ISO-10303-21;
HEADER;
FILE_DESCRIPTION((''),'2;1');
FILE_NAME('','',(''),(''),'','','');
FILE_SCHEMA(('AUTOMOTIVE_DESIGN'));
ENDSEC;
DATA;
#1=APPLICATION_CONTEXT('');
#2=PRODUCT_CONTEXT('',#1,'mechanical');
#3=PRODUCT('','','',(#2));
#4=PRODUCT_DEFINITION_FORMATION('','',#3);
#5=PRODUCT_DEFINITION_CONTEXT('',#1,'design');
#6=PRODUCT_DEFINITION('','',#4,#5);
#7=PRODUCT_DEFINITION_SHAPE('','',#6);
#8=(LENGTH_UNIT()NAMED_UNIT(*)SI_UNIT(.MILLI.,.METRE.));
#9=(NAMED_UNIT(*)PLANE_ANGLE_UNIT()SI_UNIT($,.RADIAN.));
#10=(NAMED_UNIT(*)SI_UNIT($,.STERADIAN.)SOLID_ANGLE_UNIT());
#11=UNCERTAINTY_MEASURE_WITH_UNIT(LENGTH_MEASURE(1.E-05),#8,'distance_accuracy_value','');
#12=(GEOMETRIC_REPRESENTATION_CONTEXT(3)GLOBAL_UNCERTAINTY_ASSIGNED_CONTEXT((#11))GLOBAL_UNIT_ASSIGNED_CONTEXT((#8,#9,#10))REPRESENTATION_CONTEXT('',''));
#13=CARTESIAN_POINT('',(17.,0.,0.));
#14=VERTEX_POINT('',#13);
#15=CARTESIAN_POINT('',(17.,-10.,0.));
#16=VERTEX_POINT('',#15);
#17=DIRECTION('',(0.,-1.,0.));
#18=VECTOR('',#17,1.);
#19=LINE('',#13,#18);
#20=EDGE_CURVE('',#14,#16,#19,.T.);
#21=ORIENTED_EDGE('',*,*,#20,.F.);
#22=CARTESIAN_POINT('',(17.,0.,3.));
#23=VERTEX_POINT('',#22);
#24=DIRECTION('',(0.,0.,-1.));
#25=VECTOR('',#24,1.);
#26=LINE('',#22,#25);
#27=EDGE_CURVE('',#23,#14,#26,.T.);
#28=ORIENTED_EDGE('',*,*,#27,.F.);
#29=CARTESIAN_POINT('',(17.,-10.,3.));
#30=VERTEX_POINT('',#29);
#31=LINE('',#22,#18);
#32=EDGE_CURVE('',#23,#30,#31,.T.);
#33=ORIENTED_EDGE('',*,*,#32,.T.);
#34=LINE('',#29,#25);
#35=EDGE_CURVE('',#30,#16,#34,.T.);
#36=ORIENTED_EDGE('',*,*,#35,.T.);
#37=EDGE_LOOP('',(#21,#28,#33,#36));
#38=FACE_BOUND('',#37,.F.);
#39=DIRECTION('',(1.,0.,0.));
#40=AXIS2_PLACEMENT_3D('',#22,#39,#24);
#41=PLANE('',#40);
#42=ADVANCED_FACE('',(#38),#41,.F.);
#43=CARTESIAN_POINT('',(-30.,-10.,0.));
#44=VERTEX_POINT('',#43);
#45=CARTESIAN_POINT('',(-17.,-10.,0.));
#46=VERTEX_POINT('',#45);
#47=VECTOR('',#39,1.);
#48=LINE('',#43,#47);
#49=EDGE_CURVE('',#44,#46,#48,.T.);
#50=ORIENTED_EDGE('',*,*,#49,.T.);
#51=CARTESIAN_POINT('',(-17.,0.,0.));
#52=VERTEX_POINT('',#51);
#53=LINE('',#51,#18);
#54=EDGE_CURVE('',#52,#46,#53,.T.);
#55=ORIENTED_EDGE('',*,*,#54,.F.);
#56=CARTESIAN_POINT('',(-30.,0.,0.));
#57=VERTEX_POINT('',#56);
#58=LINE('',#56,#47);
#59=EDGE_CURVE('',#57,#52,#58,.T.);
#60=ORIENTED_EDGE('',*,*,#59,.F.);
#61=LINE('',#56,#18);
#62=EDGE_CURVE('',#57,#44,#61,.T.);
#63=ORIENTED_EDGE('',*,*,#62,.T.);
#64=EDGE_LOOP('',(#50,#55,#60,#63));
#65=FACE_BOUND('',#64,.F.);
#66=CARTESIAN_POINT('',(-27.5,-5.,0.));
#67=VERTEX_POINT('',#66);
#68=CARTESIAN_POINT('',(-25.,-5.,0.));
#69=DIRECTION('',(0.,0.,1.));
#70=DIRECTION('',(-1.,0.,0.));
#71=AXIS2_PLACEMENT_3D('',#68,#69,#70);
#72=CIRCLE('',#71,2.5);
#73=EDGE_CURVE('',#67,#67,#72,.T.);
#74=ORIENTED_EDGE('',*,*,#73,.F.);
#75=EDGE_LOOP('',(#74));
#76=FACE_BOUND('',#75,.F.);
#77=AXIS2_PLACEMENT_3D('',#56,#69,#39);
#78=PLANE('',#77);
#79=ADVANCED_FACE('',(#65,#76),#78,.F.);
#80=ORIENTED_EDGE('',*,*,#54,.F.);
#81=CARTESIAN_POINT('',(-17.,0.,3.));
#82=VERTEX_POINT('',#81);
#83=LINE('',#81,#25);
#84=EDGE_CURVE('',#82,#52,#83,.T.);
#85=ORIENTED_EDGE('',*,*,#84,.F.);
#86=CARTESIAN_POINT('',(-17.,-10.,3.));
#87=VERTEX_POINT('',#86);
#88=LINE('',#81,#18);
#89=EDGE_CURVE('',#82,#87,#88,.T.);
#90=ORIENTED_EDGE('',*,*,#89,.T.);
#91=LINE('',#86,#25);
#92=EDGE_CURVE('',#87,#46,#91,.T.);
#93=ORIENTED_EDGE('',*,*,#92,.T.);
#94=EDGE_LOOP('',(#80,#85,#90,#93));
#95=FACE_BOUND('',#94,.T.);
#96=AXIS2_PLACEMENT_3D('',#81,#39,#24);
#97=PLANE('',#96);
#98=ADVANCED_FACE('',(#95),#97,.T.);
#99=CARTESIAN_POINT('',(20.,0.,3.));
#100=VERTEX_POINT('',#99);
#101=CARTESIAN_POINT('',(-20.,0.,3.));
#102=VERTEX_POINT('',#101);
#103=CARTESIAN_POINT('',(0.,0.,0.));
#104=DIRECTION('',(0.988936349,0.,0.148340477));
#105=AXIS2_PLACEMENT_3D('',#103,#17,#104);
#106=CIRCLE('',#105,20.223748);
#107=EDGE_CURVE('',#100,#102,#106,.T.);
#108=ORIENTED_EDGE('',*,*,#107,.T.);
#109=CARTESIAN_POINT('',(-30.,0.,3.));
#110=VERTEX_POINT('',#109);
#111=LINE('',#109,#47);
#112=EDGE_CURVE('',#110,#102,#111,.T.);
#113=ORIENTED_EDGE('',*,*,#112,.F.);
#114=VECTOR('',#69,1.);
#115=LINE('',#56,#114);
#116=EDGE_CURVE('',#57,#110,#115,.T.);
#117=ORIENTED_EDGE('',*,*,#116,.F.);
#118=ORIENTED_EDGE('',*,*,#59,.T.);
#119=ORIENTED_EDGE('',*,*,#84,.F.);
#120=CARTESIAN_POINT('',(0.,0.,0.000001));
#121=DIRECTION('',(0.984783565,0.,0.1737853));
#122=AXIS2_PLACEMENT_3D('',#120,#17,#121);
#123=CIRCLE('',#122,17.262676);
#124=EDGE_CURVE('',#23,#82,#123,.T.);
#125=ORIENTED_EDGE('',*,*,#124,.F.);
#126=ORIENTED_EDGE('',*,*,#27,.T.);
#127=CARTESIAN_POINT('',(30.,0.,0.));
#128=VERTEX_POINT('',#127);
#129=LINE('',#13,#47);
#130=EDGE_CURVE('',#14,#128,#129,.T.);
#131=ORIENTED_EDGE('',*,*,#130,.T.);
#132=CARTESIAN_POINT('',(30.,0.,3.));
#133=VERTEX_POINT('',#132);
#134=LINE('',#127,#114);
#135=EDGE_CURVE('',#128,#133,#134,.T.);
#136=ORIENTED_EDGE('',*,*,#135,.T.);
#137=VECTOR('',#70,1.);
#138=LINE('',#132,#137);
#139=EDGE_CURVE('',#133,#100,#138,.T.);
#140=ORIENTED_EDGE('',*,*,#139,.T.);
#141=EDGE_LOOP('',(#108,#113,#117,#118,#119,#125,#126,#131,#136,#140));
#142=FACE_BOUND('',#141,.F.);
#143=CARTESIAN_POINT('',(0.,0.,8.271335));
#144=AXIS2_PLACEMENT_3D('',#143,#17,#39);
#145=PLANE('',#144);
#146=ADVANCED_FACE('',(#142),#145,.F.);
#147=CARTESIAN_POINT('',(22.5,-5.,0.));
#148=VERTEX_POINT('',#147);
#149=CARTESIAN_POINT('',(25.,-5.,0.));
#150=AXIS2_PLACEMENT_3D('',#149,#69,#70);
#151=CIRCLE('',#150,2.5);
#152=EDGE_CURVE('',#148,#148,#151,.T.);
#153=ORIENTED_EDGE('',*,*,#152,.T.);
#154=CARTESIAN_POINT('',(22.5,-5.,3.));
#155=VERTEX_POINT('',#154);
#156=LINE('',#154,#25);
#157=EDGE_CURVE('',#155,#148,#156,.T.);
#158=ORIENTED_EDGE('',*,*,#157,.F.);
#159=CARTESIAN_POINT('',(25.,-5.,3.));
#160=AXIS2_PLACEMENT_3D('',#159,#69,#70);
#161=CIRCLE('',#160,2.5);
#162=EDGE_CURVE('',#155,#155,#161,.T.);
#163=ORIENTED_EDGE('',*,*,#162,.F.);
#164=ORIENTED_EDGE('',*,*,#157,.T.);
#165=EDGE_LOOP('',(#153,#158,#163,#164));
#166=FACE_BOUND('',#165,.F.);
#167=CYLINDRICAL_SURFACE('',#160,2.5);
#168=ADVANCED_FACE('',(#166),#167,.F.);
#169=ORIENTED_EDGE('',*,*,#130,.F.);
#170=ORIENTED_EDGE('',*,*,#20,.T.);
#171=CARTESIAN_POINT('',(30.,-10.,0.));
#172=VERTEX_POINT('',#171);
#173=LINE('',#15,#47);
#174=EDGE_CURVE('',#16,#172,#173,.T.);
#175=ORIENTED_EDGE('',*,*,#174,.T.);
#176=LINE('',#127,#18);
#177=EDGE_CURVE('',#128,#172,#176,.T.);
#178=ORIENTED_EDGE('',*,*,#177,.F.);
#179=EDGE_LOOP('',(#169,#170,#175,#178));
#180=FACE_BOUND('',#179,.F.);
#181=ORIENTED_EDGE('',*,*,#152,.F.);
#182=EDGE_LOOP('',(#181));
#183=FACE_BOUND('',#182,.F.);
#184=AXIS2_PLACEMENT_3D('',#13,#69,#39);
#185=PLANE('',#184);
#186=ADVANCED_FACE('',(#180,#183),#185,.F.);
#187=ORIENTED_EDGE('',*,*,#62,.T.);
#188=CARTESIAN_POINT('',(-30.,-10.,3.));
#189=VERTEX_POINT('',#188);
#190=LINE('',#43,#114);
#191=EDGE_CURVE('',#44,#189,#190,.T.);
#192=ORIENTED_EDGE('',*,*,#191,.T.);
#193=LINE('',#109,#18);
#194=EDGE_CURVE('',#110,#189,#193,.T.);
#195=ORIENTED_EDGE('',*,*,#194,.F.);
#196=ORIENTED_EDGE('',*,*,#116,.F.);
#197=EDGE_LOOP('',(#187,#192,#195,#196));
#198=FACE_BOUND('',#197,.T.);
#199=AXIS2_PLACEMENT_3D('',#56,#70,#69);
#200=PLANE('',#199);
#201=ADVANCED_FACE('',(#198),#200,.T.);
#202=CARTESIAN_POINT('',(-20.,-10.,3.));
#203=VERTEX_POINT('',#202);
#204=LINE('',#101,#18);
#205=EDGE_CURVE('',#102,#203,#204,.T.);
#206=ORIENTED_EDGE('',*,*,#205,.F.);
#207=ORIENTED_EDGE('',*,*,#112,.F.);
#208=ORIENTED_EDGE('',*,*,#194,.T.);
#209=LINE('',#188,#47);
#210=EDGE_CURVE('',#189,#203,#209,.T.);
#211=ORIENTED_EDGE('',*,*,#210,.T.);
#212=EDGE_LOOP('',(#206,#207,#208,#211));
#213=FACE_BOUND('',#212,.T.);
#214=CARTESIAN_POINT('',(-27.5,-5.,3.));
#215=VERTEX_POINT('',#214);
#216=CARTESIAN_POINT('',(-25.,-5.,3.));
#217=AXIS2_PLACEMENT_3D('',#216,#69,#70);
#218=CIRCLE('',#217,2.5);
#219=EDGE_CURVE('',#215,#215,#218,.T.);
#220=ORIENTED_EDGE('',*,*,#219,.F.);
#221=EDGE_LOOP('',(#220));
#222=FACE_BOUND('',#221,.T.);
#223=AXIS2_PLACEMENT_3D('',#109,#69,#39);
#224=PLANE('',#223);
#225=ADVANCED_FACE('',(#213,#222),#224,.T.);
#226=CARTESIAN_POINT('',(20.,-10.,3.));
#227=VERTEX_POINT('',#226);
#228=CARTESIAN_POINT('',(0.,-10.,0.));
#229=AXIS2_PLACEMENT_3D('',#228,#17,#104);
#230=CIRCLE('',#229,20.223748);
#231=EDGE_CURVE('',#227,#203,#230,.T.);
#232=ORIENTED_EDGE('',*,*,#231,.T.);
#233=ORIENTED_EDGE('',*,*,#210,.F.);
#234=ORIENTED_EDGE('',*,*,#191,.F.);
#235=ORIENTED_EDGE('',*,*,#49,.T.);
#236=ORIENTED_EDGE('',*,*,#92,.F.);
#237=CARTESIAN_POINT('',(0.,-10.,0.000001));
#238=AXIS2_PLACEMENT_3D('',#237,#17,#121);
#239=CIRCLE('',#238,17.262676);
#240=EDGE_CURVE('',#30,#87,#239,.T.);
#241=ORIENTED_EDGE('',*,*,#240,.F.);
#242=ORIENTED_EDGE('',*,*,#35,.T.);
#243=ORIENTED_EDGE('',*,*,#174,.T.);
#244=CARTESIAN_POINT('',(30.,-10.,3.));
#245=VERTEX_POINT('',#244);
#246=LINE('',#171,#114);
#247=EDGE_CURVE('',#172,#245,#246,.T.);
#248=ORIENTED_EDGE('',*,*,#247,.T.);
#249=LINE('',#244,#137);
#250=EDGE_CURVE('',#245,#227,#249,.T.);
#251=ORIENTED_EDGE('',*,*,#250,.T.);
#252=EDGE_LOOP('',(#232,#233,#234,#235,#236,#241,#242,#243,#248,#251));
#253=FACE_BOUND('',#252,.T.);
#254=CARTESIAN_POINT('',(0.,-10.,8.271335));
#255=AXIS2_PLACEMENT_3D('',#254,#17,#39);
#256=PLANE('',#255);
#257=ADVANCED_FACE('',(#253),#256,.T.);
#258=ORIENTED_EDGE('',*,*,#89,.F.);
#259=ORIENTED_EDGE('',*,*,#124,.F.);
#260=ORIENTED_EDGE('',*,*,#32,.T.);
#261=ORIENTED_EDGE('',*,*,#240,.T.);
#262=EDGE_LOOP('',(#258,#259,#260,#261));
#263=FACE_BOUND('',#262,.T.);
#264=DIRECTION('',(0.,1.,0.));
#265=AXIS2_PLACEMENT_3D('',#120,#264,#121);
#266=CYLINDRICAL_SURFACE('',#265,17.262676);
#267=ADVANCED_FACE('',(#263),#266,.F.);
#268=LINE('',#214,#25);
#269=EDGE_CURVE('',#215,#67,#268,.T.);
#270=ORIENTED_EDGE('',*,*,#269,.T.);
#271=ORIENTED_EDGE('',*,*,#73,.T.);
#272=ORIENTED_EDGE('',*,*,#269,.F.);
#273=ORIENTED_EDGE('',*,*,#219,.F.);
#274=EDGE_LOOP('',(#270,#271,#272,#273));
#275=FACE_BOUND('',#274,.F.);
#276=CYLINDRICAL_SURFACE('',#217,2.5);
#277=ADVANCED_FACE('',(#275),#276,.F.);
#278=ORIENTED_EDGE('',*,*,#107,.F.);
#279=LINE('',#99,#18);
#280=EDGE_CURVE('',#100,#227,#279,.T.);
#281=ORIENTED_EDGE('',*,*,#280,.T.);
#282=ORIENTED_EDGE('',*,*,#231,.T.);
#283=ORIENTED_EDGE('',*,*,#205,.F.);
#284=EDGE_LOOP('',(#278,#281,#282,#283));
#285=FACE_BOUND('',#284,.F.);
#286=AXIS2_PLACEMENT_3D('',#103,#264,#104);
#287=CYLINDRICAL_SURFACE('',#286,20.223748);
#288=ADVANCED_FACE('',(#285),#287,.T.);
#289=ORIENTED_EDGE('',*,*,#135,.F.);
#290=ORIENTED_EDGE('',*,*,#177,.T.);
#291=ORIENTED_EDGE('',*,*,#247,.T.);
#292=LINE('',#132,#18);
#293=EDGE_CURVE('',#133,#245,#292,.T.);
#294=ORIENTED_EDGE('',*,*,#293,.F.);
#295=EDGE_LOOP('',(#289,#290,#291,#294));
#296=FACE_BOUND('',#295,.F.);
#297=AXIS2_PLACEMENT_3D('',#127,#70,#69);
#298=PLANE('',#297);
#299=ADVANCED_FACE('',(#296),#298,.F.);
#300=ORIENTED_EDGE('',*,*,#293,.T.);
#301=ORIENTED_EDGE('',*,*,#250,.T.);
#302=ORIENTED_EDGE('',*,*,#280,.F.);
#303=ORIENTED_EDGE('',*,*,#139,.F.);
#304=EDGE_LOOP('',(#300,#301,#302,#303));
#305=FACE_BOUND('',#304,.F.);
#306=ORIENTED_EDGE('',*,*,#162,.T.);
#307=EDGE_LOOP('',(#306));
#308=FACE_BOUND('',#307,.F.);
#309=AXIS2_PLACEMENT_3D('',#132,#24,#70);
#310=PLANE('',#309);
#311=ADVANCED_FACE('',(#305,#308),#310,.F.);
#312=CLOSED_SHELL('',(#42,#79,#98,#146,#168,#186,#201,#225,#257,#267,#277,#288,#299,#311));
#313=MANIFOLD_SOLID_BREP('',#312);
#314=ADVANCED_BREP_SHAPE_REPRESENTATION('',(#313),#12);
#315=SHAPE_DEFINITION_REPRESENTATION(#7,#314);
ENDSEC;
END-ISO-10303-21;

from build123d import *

# Parameters (mm, degrees)
PAD_DEPTH    = 10
SKETCH001_R  = 2.5
POCKET_DEPTH = 3.001


with BuildPart() as part:
    # Sketch → Pad (new body)
    with BuildSketch(Plane.XZ):
        with BuildLine():
            Line((-30, 0), (-17, 0))
            Line((-17, 3), (-17, 0))
            ThreePointArc((17, 3), (0, 17.262677), (-17, 3))
            Line((17, 3), (17, 0))
            Line((17, 0), (30, 0))
            Line((30, 0), (30, 3))
            Line((30, 3), (20, 3))
            ThreePointArc((20, 3), (0, 20.223748), (-20, 3))
            Line((-30, 3), (-20, 3))
            Line((-30, 0), (-30, 3))
        make_face()
    extrude(amount=PAD_DEPTH)

    # Sketch001 (on Face10 of Pad) → Pocket (cut, through all)
    with BuildSketch(Plane(origin=(0, 0, 3), x_dir=(-1, 0, 0), z_dir=(0, 0, 1))):
        with Locations((-25, 5)):
            Circle(SKETCH001_R)
        with Locations((25, 5)):
            Circle(SKETCH001_R)
    extrude(amount=-POCKET_DEPTH, mode=Mode.SUBTRACT)


solid = part.part
